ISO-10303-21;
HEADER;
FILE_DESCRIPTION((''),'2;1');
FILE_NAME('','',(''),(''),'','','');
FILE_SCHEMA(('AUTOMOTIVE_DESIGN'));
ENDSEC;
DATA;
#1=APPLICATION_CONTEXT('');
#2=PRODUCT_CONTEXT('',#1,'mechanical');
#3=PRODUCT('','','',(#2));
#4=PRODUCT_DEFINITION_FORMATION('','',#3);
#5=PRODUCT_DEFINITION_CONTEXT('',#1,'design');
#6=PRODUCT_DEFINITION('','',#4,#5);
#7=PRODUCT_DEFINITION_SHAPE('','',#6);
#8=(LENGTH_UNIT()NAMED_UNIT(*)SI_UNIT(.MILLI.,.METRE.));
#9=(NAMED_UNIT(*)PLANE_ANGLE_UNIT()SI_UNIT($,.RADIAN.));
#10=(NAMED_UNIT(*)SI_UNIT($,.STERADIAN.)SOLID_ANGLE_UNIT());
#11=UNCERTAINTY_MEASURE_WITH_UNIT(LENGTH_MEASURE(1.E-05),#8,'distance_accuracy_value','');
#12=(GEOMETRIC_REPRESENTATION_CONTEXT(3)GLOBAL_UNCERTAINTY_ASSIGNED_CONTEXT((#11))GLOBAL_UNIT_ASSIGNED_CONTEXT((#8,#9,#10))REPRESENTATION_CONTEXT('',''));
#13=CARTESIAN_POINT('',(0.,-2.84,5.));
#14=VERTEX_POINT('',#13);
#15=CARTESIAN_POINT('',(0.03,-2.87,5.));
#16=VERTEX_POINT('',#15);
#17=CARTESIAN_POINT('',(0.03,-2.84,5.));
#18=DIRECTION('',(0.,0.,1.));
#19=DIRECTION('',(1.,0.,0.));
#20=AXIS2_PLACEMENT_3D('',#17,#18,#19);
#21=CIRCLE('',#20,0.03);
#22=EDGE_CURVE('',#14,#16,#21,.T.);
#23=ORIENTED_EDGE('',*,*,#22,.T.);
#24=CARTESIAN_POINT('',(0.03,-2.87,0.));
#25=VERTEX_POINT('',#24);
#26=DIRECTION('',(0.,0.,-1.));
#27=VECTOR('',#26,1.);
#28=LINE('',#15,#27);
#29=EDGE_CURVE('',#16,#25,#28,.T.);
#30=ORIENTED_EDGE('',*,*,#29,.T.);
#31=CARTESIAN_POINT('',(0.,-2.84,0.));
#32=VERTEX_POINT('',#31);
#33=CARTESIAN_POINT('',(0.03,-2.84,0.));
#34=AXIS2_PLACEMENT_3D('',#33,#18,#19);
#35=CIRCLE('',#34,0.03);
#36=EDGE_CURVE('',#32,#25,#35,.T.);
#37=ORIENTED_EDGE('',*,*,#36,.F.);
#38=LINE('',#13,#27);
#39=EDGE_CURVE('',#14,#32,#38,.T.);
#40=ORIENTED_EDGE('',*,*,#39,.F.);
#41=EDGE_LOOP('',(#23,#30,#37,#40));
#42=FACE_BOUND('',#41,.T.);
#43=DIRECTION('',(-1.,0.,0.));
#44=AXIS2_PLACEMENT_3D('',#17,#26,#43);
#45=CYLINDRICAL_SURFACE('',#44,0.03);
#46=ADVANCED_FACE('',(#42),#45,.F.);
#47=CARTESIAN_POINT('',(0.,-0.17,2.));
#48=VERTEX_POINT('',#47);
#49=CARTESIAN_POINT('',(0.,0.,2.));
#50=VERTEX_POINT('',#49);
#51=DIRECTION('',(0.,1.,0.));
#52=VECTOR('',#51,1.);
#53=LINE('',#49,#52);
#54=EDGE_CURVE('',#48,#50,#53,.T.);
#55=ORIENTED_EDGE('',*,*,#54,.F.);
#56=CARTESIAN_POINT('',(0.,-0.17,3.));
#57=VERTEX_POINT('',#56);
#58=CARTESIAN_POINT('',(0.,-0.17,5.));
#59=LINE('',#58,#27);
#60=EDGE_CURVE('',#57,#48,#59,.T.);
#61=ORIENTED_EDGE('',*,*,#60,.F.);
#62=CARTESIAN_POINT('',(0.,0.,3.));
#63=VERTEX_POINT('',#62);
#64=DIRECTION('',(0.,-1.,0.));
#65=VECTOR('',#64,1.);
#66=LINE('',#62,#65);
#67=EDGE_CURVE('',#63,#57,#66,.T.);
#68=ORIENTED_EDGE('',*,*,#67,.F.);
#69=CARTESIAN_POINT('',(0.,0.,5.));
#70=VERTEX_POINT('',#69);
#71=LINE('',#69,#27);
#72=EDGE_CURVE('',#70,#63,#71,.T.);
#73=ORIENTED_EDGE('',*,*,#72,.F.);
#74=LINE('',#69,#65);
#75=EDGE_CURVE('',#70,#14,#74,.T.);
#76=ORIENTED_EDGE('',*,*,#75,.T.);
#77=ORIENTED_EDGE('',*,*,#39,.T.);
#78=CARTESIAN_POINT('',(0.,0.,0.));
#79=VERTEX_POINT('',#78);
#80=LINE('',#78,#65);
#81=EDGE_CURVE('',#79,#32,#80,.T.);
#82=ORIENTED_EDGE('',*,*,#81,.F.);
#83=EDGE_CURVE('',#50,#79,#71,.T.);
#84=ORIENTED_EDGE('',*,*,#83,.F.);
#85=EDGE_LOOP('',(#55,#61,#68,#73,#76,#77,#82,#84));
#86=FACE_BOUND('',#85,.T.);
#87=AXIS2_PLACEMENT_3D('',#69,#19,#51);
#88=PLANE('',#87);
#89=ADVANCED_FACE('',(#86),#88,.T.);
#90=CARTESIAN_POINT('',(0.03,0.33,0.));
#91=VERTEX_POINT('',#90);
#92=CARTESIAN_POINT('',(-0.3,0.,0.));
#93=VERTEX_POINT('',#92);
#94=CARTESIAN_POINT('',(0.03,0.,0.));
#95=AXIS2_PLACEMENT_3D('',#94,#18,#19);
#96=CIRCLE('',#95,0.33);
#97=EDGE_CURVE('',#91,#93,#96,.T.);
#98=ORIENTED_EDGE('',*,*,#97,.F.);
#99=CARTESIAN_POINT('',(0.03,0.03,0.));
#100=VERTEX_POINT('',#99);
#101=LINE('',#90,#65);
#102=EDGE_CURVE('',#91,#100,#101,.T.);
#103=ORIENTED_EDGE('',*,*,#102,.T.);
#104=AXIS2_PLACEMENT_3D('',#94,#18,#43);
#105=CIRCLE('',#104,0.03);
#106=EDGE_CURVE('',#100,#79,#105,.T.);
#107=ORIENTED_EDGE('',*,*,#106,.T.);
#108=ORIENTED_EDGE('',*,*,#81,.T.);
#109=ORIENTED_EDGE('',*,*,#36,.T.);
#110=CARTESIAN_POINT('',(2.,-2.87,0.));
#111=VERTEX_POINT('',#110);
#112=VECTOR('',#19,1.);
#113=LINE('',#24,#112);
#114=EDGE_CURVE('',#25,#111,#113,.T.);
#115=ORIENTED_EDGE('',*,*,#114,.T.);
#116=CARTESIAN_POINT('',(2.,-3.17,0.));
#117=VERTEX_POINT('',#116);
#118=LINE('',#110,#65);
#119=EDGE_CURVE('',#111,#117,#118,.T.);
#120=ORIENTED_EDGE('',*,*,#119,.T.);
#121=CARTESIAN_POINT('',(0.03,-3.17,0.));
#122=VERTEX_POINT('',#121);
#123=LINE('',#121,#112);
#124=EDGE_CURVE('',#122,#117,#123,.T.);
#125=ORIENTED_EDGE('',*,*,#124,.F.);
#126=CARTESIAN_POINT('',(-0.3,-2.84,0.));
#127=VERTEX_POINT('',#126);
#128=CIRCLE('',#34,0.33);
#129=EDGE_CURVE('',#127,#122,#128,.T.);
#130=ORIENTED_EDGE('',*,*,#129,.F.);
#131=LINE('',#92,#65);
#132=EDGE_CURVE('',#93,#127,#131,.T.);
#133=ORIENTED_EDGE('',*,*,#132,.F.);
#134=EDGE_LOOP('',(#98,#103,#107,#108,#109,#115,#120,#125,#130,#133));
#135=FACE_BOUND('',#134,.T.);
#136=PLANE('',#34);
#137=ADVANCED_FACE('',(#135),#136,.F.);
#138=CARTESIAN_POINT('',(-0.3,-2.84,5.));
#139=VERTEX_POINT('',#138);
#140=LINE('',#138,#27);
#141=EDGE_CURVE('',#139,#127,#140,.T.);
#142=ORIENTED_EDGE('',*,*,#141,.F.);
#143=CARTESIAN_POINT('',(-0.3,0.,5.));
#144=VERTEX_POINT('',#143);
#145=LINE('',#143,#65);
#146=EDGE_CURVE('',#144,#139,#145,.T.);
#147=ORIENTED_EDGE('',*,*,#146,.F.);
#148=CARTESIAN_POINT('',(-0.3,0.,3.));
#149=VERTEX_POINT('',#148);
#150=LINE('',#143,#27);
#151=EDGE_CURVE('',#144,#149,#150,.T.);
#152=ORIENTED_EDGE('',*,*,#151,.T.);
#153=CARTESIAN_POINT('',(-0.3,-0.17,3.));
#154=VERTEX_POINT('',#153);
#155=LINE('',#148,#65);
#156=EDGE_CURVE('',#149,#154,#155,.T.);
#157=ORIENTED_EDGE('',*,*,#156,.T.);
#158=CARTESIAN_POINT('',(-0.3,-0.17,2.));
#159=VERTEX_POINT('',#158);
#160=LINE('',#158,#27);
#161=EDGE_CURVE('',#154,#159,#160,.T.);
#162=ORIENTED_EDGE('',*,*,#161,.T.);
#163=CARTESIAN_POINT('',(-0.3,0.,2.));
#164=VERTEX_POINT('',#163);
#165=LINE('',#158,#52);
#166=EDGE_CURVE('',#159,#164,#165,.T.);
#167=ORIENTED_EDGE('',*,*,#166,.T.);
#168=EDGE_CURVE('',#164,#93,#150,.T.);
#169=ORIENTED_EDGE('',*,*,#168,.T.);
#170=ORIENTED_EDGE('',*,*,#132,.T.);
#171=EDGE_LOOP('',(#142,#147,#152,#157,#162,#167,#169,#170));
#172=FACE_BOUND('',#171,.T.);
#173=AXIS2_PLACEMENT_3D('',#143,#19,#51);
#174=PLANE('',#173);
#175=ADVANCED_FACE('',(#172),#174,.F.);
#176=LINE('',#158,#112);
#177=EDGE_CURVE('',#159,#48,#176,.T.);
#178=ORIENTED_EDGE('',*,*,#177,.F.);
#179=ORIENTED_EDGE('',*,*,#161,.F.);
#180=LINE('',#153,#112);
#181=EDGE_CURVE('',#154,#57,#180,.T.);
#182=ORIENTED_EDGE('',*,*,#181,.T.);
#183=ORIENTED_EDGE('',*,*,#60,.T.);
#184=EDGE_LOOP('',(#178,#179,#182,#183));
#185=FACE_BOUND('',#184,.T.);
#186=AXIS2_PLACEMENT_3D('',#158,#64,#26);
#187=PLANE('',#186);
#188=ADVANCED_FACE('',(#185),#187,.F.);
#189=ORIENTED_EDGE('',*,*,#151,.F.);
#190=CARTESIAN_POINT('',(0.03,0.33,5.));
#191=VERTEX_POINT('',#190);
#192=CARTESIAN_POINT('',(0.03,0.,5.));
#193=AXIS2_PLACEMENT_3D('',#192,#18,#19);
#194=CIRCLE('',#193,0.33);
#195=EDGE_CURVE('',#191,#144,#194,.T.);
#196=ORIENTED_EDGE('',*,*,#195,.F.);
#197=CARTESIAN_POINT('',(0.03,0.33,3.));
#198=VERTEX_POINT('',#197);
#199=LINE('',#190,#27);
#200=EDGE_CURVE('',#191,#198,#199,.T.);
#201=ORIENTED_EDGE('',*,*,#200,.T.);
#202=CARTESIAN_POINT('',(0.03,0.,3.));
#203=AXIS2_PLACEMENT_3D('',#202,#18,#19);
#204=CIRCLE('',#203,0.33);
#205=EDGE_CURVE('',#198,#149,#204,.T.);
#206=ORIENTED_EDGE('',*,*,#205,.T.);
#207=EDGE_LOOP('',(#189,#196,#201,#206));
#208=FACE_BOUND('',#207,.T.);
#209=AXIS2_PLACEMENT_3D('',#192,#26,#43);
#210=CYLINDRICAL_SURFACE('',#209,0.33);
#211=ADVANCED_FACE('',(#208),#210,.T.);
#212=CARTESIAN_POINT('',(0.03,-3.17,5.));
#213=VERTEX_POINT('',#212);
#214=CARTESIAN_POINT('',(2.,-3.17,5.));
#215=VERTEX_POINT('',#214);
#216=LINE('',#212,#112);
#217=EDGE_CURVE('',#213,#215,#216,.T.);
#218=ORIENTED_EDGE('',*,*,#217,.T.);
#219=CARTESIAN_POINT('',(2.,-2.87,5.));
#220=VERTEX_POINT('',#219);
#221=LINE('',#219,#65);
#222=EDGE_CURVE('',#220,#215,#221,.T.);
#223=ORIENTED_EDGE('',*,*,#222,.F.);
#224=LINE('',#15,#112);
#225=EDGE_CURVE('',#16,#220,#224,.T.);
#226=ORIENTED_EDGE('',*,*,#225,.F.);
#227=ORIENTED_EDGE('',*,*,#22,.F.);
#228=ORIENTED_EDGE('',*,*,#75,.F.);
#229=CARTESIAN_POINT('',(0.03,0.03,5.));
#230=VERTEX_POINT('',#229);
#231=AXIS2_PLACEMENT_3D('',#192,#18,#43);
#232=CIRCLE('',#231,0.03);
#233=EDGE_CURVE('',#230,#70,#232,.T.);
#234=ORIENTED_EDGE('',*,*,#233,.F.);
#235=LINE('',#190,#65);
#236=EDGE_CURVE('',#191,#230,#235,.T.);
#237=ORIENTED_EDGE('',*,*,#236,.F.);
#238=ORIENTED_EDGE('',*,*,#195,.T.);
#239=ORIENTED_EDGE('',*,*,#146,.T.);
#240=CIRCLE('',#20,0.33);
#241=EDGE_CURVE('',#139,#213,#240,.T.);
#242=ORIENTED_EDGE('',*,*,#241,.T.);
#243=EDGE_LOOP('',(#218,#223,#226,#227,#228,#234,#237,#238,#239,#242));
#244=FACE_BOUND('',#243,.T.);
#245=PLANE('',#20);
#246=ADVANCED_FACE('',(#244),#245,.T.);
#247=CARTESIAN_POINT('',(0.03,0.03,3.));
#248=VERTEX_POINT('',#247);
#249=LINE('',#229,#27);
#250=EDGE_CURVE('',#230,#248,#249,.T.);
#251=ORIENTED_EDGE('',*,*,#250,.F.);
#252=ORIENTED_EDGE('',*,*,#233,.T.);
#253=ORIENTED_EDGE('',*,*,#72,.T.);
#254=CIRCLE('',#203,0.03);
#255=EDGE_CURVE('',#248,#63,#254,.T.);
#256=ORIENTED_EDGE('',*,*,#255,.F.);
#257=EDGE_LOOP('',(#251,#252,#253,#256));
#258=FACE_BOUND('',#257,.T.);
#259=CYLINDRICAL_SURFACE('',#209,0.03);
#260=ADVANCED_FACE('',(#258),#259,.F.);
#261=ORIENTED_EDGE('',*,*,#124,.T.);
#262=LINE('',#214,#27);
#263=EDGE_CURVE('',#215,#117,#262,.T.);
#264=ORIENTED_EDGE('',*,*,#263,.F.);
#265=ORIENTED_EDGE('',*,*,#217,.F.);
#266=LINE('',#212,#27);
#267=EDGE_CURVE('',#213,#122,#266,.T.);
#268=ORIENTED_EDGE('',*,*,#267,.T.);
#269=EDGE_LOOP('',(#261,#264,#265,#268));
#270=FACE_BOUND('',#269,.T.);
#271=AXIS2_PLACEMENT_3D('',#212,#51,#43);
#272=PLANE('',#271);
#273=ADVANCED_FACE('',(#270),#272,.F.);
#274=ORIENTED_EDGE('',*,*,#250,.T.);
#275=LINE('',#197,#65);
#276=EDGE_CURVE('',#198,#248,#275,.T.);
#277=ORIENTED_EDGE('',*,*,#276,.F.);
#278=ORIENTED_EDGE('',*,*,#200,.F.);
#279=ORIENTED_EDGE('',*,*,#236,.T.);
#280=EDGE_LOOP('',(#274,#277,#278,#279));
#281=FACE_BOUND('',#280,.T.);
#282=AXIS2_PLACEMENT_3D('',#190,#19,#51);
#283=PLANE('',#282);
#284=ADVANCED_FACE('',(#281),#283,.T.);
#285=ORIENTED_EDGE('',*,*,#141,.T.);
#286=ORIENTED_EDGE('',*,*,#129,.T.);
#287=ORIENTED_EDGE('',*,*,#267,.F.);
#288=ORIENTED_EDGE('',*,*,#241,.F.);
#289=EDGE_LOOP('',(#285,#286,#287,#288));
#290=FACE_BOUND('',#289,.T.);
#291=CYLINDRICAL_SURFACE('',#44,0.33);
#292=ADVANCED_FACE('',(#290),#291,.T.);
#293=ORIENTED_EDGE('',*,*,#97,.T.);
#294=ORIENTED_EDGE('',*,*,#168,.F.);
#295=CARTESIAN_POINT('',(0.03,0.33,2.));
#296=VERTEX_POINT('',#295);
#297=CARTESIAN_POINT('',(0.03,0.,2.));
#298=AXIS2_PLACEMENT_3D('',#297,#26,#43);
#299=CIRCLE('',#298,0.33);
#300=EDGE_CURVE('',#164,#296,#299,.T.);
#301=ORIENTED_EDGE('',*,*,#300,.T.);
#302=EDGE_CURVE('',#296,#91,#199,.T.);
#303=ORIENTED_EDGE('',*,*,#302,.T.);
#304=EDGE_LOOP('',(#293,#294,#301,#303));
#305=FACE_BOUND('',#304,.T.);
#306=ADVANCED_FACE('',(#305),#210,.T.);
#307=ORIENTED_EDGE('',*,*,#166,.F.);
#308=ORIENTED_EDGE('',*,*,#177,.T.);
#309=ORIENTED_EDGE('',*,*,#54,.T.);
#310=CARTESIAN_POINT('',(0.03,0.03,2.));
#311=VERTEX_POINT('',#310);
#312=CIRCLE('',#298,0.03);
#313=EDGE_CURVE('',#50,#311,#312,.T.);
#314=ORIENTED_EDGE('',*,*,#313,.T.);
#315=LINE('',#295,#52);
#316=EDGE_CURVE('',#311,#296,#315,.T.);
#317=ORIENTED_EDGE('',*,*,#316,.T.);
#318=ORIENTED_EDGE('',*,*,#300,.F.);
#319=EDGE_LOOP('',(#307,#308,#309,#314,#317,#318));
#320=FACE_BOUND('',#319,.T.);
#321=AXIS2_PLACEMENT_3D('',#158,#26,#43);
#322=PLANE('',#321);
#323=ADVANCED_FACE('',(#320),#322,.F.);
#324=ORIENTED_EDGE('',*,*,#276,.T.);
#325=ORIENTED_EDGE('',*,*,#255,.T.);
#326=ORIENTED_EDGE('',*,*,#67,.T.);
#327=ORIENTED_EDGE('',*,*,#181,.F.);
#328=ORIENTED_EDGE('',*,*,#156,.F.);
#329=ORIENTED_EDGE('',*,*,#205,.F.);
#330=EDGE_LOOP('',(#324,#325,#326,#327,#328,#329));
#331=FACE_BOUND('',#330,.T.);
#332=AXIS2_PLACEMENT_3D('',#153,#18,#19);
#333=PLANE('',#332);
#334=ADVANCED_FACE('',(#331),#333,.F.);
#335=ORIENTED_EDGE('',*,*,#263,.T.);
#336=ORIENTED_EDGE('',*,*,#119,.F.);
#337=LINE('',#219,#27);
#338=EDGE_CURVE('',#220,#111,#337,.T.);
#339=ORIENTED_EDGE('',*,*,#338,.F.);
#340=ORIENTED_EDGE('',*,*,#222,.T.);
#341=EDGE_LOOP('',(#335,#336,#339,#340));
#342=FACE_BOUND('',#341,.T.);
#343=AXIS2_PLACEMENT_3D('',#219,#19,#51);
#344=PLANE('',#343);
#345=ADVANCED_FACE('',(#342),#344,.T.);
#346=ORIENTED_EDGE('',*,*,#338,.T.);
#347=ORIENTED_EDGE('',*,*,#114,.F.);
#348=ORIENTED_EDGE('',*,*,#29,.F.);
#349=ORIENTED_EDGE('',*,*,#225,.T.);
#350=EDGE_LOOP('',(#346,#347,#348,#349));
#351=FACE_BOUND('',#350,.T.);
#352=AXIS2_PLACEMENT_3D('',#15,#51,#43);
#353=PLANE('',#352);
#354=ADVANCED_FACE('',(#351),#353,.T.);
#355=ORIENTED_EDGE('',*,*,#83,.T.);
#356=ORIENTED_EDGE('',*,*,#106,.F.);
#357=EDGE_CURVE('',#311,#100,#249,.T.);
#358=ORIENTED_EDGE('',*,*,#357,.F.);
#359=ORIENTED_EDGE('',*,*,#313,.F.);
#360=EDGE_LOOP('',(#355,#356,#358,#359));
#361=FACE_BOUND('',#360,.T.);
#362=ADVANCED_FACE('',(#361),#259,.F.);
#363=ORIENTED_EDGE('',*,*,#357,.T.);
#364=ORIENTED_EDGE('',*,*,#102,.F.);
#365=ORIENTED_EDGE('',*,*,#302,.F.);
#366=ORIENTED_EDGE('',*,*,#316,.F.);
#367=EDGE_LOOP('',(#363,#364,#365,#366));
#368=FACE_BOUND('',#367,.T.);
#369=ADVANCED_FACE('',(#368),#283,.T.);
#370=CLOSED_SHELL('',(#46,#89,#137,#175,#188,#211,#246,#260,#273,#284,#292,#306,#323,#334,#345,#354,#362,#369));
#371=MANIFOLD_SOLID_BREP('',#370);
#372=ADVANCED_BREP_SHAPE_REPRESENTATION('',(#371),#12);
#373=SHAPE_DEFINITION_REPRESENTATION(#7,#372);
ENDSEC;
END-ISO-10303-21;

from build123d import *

# Parameters (mm, degrees)
EXTRUDE_1_DEPTH          = 5
CUT_EXTRUDE_1_DEPTH      = 7.239374969
CUT_EXTRUDE_1_DEPTH_BACK = 7.239374969
SKETCH_2_W               = 1
SKETCH_2_H               = 0.5


with BuildPart() as part:
    # 草图1 → 拉伸-薄壁1 (new body)
    with BuildSketch(Plane.XY):
        with BuildLine():
            ThreePointArc((0.03, 0.03), (0.008786797, 0.021213203), (0, 0))
            Line((0, 0), (0, -2.84))
            ThreePointArc((0, -2.84), (0.008786797, -2.861213203), (0.03, -2.87))
            Line((0.03, -2.87), (2, -2.87))
            Line((2, -2.87), (2, -3.17))
            Line((2, -3.17), (0.03, -3.17))
            ThreePointArc((0.03, -3.17), (-0.203345238, -3.073345238), (-0.3, -2.84))
            Line((-0.3, -2.84), (-0.3, 0))
            ThreePointArc((-0.3, 0), (-0.203345238, 0.233345238), (0.03, 0.33))
            Line((0.03, 0.33), (0.03, 0.03))
        make_face()
    extrude(amount=EXTRUDE_1_DEPTH)

    # 草图2 → 切除-拉伸1 (cut, two sides: drawn at the far end of the back side and taken through both)
    with BuildSketch(Plane(origin=(0.03, 0, 0), x_dir=(0, 0, -1), z_dir=(1, 0, 0)).offset(-CUT_EXTRUDE_1_DEPTH_BACK)):
        with Locations((-2.5, 0.08)):
            Rectangle(SKETCH_2_W, SKETCH_2_H)
    extrude(amount=CUT_EXTRUDE_1_DEPTH + CUT_EXTRUDE_1_DEPTH_BACK, mode=Mode.SUBTRACT)


solid = part.part
